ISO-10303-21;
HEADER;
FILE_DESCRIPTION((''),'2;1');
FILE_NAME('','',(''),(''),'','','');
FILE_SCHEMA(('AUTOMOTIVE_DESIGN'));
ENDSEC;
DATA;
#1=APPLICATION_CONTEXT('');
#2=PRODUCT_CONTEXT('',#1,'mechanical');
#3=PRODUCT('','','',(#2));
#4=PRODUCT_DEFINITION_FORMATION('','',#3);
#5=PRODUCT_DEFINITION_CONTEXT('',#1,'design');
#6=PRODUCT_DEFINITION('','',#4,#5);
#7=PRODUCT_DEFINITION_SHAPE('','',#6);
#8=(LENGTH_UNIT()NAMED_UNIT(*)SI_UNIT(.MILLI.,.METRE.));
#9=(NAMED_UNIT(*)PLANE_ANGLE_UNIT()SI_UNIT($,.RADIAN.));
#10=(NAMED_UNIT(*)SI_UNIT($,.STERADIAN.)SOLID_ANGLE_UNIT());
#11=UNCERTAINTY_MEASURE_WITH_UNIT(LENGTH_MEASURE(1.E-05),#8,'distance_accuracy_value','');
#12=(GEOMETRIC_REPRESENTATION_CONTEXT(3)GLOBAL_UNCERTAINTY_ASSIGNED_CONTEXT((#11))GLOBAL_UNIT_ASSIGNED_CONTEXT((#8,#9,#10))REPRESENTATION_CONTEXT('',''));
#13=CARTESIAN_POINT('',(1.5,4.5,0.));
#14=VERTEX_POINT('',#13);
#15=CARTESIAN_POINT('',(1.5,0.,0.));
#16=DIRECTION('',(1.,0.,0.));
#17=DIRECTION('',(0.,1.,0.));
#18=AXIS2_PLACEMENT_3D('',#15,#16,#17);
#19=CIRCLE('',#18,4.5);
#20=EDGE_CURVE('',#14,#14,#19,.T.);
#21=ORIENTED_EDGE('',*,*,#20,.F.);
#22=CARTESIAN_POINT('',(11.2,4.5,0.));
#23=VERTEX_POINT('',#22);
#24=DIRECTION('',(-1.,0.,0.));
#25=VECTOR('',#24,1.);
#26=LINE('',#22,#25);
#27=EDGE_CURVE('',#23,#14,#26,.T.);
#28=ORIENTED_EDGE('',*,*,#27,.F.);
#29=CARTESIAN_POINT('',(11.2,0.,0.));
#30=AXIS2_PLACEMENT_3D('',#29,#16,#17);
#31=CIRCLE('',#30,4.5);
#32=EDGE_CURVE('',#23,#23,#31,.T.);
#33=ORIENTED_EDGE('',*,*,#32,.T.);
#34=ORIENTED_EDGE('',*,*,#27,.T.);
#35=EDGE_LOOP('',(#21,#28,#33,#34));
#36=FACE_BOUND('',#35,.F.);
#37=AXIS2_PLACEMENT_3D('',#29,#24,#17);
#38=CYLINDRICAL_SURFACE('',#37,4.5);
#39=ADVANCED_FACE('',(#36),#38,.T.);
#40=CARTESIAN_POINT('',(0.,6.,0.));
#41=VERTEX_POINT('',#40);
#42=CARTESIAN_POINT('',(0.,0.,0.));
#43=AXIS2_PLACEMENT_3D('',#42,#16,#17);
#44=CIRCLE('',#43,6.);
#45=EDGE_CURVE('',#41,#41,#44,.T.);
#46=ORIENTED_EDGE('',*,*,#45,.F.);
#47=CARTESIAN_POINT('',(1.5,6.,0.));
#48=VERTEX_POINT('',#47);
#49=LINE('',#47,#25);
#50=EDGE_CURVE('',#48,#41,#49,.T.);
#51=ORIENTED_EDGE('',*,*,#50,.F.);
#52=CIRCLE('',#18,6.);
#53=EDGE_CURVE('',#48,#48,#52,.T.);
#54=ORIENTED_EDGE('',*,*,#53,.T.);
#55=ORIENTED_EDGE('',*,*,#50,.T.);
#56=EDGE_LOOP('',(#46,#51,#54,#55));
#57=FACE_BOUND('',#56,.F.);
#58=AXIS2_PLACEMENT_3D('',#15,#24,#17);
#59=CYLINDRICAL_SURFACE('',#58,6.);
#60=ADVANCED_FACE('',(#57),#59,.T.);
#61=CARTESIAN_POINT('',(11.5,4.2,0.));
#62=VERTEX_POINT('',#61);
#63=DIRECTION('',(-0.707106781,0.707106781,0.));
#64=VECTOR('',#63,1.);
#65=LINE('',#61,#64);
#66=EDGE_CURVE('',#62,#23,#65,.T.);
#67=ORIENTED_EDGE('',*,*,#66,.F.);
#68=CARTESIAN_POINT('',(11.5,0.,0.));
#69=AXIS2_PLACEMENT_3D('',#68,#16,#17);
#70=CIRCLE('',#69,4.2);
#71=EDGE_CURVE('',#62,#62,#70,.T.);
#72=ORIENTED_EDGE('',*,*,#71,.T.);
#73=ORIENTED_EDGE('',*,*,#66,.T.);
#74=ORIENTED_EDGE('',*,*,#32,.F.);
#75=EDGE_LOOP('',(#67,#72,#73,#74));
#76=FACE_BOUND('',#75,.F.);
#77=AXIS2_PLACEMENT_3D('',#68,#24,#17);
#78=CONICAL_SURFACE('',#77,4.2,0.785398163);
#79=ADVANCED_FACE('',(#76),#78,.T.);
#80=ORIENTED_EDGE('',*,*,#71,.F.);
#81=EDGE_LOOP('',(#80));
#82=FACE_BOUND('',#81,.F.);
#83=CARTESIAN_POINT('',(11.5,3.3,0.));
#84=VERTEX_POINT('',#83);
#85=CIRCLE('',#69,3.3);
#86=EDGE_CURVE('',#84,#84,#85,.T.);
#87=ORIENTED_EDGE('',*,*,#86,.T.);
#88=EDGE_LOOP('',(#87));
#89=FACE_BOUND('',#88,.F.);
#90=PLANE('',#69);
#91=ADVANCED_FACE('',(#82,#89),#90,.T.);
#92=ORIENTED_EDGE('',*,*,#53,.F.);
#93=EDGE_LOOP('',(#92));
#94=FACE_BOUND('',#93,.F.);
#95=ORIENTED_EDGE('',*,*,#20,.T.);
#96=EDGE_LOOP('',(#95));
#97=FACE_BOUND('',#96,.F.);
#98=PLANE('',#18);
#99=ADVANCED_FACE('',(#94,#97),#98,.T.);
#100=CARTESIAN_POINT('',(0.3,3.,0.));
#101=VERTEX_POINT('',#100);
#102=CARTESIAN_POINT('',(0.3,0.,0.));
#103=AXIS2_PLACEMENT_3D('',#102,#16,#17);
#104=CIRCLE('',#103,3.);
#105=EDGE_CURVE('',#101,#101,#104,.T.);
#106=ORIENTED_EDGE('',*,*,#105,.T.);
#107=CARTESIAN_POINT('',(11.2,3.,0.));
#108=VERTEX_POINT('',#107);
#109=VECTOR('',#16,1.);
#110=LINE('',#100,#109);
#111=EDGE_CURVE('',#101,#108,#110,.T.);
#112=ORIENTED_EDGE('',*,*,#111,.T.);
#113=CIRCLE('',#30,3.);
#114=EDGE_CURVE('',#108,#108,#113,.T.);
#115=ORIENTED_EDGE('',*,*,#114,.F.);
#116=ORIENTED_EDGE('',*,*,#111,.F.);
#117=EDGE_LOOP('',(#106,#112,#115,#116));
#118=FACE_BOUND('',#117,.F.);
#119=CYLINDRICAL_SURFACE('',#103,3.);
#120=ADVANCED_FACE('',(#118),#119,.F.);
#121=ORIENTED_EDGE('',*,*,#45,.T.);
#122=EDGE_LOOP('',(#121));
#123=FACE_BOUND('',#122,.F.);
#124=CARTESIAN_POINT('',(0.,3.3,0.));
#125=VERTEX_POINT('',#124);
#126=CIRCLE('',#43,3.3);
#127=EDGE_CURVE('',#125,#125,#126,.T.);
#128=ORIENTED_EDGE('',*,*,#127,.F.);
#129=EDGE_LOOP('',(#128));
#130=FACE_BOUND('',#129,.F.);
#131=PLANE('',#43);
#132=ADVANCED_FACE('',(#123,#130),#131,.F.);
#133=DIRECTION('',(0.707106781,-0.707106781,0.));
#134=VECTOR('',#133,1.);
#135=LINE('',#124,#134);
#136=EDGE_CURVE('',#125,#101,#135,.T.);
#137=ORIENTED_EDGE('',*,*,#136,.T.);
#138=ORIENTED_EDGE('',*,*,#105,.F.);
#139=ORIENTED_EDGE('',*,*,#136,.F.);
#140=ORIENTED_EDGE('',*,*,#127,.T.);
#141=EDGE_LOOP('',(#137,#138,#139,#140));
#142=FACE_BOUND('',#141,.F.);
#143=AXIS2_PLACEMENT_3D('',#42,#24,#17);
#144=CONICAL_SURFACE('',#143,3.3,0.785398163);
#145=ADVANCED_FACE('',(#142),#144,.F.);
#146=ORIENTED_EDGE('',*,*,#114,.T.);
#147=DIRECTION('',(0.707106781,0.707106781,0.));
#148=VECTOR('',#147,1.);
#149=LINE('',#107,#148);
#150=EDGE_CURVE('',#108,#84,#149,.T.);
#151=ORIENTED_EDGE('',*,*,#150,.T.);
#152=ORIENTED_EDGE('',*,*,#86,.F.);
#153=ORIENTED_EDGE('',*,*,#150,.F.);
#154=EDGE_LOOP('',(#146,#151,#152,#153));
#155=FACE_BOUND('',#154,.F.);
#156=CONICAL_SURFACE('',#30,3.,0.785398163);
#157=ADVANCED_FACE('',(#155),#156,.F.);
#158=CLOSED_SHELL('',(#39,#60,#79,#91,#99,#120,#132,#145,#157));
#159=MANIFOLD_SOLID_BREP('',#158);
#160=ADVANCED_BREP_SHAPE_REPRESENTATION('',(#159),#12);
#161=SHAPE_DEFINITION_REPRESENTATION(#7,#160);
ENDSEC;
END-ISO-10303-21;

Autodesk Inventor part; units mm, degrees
ref_plane "YZ Plane" through (0, 0, 0) normal (1, 0, 0) x (0, 1, 0)
ref_plane "XZ Plane" through (0, 0, 0) normal (0, 1, 0) x (-1, 0, 0)
ref_plane "XY Plane" through (0, 0, 0) normal (0, 0, 1) x (1, 0, 0)
sketch "Sketch_1" plane through (0, 0, 0) normal (0, 0, 1) x (1, 0, 0)
  line L0 (11.5, 0) -> (0, 0)
  line L1 (0, 6) -> (0, 3.3)
  line L2 (0, 3.3) -> (0.3, 3)
  line L3 (0.3, 3) -> (11.2, 3)
  line L4 (11.2, 3) -> (11.5, 3.3)
  line L5 (11.5, 3.3) -> (11.5, 4.2)
  line L6 (11.5, 4.2) -> (11.2, 4.5)
  line L7 (11.2, 4.5) -> (1.5, 4.5)
  line L8 (1.5, 4.5) -> (1.5, 6)
  line L9 (1.5, 6) -> (0, 6)
revolve "Revolution1" add sketch "Sketch_1" angle 360 about axis through (11.5, 0, 0) along (1, 0, 0)
properties part number "TFZF6-10"
